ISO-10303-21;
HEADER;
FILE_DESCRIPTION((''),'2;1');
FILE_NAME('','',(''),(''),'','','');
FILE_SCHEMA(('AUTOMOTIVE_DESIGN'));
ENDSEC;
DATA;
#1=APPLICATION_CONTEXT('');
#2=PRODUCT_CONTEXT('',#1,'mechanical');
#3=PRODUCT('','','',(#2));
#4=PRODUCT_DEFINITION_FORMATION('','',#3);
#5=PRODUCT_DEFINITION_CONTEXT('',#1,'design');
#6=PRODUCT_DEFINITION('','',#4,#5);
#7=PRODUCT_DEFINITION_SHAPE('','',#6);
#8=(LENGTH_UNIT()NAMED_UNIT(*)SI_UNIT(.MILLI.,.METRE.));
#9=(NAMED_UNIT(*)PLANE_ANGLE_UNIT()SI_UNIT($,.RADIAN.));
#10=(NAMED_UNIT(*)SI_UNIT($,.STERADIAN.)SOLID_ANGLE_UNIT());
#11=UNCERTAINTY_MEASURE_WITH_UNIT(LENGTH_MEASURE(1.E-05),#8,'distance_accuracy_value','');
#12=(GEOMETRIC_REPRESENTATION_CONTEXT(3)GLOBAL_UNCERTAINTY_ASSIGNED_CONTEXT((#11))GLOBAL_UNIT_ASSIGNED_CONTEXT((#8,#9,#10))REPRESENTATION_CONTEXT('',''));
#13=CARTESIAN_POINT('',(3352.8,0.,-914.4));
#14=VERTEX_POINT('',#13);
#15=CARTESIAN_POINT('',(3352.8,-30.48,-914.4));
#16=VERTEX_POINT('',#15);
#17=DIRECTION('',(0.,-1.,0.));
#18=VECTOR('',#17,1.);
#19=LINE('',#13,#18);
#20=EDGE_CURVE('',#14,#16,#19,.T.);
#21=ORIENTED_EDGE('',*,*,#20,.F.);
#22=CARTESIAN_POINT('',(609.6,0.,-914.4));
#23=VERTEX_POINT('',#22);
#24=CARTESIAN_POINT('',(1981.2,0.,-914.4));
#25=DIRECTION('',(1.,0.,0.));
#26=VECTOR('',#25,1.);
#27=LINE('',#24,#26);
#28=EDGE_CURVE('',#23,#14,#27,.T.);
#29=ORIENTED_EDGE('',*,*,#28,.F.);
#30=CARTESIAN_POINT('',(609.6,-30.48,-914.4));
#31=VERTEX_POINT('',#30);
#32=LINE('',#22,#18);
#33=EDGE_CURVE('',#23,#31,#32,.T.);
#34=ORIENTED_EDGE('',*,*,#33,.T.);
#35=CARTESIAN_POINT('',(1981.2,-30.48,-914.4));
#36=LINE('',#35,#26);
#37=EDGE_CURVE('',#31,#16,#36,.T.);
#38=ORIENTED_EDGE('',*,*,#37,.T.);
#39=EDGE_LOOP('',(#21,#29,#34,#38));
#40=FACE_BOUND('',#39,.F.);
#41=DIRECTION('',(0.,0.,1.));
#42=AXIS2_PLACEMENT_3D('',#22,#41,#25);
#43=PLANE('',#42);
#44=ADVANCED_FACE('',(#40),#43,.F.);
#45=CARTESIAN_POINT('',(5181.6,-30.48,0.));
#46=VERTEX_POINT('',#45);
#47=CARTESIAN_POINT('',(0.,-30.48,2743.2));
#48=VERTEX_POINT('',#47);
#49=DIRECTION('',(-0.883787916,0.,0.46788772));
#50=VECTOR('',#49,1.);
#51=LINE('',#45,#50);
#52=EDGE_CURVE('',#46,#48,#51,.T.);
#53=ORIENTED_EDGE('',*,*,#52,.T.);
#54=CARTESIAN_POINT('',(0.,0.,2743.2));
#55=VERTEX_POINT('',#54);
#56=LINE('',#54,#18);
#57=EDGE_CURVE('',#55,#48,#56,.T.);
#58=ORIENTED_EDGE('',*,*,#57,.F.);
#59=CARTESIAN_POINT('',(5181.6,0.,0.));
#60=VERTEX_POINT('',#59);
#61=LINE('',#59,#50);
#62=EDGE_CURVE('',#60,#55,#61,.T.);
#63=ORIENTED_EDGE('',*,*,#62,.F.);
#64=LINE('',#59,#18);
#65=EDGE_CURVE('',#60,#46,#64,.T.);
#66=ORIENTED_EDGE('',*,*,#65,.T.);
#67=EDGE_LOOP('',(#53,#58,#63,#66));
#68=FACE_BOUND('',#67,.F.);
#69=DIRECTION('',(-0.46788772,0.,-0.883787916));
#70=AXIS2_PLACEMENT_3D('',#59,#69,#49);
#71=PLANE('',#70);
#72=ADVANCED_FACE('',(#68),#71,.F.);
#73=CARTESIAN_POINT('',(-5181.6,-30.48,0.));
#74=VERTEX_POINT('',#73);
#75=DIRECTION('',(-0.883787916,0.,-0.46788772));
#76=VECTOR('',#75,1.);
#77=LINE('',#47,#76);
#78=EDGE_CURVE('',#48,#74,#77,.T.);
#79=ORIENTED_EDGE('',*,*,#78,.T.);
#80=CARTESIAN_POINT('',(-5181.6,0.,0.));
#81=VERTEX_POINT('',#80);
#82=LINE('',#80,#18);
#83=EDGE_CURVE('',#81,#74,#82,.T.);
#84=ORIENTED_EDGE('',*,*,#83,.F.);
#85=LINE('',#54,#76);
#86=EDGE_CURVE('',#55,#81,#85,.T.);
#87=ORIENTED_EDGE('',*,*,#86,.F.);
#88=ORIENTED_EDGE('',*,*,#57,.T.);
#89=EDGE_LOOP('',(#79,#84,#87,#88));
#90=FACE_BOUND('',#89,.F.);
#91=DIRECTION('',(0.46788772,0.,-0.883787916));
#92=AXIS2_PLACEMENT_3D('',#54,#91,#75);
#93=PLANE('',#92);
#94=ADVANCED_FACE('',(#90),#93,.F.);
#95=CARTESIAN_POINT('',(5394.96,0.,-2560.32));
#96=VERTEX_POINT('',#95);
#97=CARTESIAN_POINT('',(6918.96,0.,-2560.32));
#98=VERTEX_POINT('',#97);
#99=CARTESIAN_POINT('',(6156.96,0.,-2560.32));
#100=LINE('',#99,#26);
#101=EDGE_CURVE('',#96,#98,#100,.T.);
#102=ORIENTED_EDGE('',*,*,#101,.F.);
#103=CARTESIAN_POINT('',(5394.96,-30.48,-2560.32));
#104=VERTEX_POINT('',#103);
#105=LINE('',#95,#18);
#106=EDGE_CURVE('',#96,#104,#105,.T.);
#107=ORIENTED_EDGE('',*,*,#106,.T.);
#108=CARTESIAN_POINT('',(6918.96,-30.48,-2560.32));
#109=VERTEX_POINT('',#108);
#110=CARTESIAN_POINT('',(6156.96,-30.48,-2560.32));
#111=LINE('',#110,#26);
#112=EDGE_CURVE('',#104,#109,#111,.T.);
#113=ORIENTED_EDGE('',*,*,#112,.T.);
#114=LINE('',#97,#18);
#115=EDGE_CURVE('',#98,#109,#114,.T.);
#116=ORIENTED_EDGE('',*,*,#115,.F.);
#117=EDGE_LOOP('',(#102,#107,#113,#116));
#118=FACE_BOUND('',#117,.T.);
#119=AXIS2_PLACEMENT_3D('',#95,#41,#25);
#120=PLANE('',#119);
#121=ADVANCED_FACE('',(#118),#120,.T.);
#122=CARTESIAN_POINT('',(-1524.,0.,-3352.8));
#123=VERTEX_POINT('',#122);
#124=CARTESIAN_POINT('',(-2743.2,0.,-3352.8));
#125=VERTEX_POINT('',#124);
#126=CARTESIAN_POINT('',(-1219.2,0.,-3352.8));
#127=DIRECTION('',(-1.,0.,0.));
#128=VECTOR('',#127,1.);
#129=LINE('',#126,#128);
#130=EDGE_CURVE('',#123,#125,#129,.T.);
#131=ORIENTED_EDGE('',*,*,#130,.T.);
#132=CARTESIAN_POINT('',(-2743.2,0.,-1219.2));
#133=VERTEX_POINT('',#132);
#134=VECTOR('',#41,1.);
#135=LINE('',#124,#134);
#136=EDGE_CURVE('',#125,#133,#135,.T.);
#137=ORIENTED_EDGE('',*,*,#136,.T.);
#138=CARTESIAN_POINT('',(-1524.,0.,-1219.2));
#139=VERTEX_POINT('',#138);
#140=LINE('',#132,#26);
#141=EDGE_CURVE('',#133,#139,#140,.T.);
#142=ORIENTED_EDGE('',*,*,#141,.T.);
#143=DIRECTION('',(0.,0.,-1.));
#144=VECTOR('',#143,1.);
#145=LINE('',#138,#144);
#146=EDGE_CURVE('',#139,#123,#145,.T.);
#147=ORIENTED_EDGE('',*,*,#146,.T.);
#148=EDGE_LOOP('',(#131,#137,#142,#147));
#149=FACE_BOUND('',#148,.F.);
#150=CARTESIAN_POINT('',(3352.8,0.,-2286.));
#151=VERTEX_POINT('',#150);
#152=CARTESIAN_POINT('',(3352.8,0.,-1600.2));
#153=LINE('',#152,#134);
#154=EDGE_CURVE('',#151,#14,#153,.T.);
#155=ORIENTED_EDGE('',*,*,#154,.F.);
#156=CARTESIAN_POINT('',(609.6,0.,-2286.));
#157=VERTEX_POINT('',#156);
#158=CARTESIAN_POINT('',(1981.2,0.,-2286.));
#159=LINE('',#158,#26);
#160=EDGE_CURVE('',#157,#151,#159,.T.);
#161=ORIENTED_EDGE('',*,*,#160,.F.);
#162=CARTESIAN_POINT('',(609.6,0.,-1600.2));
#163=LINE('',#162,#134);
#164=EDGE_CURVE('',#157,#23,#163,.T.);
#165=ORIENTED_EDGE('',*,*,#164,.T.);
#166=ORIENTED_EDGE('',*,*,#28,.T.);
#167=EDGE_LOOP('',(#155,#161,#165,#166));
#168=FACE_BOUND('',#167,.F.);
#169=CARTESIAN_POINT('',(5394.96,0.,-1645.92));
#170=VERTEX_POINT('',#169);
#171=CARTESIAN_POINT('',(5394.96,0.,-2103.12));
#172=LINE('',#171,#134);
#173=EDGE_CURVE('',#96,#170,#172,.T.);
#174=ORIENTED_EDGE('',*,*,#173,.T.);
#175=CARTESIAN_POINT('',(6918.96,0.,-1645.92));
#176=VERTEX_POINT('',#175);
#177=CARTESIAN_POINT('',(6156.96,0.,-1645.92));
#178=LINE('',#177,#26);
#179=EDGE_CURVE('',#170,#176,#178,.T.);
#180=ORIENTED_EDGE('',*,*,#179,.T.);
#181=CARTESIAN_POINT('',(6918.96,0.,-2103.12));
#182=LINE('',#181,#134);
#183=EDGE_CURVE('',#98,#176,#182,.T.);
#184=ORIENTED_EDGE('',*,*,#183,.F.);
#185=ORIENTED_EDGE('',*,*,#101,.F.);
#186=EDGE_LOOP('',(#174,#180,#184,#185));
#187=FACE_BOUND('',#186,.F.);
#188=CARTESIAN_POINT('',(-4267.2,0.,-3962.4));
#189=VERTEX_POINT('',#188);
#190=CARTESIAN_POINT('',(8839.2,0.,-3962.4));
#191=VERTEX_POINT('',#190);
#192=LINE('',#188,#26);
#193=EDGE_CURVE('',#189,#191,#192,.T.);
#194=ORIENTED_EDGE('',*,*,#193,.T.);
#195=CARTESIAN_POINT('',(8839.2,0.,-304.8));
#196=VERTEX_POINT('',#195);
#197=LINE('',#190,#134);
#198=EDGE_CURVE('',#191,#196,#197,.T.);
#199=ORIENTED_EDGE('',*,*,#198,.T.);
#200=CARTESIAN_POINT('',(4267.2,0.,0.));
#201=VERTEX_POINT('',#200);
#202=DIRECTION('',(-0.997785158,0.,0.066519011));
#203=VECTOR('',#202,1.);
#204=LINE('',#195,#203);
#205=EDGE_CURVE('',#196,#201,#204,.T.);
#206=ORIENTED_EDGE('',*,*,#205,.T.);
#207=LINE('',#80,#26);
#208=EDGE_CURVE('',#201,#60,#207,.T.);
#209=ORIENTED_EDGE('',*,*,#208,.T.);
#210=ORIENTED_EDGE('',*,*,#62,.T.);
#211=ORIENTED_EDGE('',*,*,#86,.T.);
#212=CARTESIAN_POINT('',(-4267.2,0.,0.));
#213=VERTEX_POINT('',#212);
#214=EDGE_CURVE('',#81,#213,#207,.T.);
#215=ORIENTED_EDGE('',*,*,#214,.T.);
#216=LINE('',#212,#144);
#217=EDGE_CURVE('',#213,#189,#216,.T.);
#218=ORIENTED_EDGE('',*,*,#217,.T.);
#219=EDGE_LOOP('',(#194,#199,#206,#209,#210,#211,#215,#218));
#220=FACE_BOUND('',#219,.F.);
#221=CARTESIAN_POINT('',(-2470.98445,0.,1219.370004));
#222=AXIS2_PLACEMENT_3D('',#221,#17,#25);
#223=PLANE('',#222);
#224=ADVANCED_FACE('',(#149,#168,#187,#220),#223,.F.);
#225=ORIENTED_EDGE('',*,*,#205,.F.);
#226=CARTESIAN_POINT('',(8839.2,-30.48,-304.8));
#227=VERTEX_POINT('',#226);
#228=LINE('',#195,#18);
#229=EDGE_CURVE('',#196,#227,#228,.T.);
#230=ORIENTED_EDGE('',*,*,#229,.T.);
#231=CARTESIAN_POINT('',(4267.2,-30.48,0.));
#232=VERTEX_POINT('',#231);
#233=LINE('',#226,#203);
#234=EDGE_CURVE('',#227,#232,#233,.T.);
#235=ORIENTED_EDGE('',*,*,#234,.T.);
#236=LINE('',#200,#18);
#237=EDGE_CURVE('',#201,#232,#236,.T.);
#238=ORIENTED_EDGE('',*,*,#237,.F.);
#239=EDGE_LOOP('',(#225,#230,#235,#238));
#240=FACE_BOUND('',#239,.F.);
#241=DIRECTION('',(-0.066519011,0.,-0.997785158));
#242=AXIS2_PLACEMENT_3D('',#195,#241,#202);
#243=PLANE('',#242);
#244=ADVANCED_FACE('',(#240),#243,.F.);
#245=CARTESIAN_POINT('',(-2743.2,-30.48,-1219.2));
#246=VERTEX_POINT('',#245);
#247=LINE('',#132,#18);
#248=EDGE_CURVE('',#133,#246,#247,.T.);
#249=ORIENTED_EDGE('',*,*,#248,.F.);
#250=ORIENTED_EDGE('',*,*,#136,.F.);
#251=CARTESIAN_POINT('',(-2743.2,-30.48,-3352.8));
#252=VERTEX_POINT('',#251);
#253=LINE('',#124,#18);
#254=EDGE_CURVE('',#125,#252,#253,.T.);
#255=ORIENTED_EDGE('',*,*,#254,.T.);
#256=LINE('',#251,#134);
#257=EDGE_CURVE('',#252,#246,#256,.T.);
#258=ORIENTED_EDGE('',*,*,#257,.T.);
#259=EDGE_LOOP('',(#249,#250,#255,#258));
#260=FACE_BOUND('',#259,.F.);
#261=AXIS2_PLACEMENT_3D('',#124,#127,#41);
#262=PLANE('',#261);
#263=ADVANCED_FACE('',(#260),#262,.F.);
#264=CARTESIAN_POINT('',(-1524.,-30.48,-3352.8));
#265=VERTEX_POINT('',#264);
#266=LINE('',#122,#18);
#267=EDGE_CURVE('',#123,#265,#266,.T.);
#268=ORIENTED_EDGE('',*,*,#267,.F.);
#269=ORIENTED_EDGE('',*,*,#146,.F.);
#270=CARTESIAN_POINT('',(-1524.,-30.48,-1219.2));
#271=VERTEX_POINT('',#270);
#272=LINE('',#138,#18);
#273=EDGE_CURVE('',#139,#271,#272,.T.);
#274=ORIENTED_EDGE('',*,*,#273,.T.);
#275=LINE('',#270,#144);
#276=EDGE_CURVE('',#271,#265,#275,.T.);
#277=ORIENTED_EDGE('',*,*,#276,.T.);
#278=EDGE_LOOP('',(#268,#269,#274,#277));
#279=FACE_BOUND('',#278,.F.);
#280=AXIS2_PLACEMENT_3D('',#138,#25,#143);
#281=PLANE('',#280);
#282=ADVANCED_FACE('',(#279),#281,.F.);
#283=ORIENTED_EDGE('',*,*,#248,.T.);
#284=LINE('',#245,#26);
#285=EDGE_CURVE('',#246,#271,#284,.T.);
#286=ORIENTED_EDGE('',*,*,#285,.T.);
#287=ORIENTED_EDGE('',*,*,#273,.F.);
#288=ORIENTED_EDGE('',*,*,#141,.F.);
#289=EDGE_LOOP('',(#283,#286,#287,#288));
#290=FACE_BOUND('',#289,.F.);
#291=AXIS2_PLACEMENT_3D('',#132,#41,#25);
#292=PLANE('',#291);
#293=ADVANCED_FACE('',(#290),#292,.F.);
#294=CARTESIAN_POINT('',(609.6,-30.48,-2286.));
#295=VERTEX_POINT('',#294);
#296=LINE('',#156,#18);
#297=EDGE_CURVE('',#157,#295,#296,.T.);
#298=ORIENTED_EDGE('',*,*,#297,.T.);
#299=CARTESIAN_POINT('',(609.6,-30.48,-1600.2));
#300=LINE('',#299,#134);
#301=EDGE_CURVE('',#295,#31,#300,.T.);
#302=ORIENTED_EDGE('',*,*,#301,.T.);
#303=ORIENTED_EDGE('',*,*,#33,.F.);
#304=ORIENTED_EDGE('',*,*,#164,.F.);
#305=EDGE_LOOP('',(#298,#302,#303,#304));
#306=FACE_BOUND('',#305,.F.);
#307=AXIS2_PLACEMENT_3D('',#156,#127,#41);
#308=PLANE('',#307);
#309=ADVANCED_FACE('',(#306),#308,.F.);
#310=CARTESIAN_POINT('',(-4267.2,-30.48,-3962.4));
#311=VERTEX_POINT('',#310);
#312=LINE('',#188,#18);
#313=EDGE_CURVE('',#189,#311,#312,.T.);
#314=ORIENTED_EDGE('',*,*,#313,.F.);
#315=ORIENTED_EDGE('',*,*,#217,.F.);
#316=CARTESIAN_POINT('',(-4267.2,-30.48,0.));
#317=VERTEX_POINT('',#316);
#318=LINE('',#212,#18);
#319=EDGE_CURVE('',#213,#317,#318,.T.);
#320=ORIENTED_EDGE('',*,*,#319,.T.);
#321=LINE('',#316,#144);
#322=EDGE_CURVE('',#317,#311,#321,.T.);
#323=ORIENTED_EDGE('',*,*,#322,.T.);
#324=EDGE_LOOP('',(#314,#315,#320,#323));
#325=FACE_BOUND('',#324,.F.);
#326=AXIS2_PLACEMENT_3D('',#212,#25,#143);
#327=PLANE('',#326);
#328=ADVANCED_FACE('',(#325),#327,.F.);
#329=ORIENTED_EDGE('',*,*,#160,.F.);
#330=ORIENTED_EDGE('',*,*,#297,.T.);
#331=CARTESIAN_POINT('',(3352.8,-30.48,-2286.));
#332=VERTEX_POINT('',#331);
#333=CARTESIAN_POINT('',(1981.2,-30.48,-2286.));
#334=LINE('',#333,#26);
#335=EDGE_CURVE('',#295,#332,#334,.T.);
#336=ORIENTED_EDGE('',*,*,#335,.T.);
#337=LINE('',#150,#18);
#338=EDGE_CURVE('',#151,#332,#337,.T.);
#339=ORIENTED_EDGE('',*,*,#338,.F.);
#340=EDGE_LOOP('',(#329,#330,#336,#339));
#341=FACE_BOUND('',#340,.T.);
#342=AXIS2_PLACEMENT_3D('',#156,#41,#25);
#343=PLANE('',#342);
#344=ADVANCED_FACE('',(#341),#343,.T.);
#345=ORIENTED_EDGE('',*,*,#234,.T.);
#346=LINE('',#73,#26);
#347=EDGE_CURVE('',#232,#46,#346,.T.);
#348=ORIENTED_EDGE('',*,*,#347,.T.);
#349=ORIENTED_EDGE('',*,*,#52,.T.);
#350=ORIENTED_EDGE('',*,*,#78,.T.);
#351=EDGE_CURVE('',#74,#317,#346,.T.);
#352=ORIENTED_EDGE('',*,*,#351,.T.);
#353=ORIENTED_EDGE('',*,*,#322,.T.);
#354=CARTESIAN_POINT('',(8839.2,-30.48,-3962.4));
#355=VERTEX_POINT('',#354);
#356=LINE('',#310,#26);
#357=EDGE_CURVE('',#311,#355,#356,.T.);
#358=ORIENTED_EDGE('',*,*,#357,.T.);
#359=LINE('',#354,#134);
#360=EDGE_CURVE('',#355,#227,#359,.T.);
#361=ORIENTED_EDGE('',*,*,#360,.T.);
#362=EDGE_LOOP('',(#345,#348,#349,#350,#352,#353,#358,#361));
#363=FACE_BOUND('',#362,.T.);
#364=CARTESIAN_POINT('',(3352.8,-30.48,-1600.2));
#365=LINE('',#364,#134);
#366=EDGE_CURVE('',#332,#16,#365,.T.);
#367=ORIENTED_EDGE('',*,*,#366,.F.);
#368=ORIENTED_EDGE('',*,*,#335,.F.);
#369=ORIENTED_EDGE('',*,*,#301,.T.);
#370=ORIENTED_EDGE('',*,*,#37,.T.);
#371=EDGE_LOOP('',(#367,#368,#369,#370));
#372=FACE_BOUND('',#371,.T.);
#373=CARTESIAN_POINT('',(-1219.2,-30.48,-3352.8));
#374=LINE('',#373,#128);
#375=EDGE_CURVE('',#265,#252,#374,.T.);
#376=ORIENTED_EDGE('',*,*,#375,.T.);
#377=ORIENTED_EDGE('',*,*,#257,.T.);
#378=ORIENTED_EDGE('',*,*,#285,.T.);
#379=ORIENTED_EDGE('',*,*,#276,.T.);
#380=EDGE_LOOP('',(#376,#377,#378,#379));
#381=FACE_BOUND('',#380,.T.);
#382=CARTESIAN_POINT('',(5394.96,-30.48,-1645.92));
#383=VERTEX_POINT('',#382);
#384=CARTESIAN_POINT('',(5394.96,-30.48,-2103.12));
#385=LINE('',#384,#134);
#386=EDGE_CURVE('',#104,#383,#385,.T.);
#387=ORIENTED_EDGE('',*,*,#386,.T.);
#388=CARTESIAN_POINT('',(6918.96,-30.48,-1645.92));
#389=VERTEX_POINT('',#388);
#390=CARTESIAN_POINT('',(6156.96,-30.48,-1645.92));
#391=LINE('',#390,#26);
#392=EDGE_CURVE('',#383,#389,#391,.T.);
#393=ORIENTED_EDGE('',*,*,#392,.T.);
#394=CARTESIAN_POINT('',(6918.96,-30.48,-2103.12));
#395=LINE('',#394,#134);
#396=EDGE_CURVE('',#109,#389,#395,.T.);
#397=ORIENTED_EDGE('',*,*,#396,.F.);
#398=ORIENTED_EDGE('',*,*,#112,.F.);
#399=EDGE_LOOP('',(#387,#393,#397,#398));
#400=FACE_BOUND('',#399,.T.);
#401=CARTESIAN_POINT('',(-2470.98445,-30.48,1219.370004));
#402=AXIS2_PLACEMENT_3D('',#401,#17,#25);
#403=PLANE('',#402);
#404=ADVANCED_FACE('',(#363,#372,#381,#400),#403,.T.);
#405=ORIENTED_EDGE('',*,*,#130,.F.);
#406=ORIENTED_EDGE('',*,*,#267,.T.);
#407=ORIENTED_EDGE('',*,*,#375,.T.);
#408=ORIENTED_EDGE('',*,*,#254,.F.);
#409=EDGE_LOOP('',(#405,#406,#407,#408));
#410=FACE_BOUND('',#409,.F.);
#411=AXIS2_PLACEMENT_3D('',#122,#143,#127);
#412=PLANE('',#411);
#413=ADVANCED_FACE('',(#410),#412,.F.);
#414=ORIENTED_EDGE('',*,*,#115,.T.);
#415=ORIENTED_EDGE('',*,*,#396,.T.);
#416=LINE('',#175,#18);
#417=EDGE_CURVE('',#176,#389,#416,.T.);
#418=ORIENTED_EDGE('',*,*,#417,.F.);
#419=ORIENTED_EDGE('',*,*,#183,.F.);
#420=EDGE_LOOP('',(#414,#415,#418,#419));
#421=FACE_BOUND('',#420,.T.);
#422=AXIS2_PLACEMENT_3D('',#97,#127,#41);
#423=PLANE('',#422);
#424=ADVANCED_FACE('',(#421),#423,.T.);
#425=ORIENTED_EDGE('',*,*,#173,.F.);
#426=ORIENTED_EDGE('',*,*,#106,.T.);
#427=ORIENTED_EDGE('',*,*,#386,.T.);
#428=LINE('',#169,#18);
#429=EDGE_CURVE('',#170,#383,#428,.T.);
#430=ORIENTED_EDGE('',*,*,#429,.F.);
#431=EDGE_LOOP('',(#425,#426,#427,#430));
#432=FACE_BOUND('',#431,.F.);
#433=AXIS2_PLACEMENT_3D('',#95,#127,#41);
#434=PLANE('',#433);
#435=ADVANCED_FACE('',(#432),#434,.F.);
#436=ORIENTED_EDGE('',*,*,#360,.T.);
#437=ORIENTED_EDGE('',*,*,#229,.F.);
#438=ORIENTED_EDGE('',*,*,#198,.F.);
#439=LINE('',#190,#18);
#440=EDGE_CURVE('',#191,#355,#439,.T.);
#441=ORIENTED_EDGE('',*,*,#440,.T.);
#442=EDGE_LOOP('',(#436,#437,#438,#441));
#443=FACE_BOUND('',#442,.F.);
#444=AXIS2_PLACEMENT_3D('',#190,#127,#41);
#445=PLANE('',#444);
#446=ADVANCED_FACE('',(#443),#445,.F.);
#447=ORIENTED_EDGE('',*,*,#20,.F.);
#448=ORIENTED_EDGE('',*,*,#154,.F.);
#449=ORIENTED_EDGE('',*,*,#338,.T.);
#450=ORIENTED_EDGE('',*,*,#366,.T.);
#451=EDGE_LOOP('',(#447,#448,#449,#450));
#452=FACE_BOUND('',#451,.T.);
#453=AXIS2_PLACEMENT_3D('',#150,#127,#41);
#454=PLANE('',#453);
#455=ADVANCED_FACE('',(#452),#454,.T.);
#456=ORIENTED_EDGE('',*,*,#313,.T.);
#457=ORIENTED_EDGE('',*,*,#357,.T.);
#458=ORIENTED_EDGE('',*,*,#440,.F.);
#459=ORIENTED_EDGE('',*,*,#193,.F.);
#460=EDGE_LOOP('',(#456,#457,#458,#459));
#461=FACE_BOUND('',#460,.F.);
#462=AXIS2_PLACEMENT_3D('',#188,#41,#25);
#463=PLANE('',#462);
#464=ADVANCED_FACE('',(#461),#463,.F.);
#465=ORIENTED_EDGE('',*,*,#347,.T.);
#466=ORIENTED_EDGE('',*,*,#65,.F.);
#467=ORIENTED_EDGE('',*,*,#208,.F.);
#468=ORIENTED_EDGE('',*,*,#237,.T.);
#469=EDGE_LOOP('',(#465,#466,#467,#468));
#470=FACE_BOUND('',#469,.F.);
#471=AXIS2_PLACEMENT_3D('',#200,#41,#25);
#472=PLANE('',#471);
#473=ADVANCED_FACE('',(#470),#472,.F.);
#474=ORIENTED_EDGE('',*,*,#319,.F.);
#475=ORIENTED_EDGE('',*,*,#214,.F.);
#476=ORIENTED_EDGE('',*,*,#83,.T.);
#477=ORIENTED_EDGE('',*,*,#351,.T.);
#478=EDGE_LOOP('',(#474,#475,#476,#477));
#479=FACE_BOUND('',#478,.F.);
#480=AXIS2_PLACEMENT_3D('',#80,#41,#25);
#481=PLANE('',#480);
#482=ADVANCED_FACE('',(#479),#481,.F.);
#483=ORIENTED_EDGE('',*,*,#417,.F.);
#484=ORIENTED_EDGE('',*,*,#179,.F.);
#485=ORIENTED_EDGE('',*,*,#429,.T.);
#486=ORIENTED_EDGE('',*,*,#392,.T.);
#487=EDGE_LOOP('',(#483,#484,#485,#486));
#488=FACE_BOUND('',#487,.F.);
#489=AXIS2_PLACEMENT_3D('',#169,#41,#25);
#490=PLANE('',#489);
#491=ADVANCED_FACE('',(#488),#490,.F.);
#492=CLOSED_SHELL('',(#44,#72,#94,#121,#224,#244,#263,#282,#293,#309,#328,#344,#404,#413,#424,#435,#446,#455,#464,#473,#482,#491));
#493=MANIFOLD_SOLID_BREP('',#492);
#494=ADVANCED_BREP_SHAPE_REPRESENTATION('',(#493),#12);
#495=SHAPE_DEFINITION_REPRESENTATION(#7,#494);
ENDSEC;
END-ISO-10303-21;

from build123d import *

# Parameters (mm, degrees)
F0_W     = 2743.2
F0_H     = 1371.6
F0_W_2   = 1524
F0_H_2   = 914.4
F0_W_3   = 4572
F0_H_3   = 609.6
F1_DEPTH = 30.48


with BuildPart() as f1:
    # F0 (on Front) → F1 (new body)
    with BuildSketch(Plane.XZ):
        Polygon((-5181.6, 0), (-4267.2, 0), (0, 2286), (0, 2743.2), align=None)
        Polygon((0, 2286), (4267.2, 0), (5181.6, 0), (0, 2743.2), align=None)
        Polygon((-4267.2, 0), (0, 0), (0, 2286), align=None)
        Polygon((0, 2286), (0, 0), (4267.2, 0), align=None)
        Polygon((4267.2, 0), (0, 0), (-4267.2, 0), (-4267.2, -3352.8), (-3048, -3352.8), (-3048, -914.4), (-1219.2, -914.4), (-1219.2, -3352.8), (4267.2, -3352.8), (4267.2, -609.6), align=None)
        with Locations((1981.2, -1600.2)):
            Rectangle(F0_W, F0_H, mode=Mode.SUBTRACT)
        Polygon((8839.2, -304.8), (4267.2, 0), (4267.2, -609.6), (8839.2, -914.4), align=None)
        Polygon((8839.2, -914.4), (4267.2, -609.6), (4267.2, -3352.8), (8839.2, -3352.8), align=None)
        with Locations((6156.96, -2103.12)):
            Rectangle(F0_W_2, F0_H_2, mode=Mode.SUBTRACT)
        Polygon((-3048, -3352.8), (-4267.2, -3352.8), (-4267.2, -3962.4), (4267.2, -3962.4), (4267.2, -3352.8), (-1219.2, -3352.8), (-1524, -3352.8), (-2743.2, -3352.8), align=None)
        with Locations((6553.2, -3657.6)):
            Rectangle(F0_W_3, F0_H_3)
        Polygon((-3048, -914.4), (-3048, -3352.8), (-2743.2, -3352.8), (-2743.2, -1219.2), (-1524, -1219.2), (-1524, -3352.8), (-1219.2, -3352.8), (-1219.2, -914.4), align=None)
    extrude(amount=F1_DEPTH)


solid = f1.part
